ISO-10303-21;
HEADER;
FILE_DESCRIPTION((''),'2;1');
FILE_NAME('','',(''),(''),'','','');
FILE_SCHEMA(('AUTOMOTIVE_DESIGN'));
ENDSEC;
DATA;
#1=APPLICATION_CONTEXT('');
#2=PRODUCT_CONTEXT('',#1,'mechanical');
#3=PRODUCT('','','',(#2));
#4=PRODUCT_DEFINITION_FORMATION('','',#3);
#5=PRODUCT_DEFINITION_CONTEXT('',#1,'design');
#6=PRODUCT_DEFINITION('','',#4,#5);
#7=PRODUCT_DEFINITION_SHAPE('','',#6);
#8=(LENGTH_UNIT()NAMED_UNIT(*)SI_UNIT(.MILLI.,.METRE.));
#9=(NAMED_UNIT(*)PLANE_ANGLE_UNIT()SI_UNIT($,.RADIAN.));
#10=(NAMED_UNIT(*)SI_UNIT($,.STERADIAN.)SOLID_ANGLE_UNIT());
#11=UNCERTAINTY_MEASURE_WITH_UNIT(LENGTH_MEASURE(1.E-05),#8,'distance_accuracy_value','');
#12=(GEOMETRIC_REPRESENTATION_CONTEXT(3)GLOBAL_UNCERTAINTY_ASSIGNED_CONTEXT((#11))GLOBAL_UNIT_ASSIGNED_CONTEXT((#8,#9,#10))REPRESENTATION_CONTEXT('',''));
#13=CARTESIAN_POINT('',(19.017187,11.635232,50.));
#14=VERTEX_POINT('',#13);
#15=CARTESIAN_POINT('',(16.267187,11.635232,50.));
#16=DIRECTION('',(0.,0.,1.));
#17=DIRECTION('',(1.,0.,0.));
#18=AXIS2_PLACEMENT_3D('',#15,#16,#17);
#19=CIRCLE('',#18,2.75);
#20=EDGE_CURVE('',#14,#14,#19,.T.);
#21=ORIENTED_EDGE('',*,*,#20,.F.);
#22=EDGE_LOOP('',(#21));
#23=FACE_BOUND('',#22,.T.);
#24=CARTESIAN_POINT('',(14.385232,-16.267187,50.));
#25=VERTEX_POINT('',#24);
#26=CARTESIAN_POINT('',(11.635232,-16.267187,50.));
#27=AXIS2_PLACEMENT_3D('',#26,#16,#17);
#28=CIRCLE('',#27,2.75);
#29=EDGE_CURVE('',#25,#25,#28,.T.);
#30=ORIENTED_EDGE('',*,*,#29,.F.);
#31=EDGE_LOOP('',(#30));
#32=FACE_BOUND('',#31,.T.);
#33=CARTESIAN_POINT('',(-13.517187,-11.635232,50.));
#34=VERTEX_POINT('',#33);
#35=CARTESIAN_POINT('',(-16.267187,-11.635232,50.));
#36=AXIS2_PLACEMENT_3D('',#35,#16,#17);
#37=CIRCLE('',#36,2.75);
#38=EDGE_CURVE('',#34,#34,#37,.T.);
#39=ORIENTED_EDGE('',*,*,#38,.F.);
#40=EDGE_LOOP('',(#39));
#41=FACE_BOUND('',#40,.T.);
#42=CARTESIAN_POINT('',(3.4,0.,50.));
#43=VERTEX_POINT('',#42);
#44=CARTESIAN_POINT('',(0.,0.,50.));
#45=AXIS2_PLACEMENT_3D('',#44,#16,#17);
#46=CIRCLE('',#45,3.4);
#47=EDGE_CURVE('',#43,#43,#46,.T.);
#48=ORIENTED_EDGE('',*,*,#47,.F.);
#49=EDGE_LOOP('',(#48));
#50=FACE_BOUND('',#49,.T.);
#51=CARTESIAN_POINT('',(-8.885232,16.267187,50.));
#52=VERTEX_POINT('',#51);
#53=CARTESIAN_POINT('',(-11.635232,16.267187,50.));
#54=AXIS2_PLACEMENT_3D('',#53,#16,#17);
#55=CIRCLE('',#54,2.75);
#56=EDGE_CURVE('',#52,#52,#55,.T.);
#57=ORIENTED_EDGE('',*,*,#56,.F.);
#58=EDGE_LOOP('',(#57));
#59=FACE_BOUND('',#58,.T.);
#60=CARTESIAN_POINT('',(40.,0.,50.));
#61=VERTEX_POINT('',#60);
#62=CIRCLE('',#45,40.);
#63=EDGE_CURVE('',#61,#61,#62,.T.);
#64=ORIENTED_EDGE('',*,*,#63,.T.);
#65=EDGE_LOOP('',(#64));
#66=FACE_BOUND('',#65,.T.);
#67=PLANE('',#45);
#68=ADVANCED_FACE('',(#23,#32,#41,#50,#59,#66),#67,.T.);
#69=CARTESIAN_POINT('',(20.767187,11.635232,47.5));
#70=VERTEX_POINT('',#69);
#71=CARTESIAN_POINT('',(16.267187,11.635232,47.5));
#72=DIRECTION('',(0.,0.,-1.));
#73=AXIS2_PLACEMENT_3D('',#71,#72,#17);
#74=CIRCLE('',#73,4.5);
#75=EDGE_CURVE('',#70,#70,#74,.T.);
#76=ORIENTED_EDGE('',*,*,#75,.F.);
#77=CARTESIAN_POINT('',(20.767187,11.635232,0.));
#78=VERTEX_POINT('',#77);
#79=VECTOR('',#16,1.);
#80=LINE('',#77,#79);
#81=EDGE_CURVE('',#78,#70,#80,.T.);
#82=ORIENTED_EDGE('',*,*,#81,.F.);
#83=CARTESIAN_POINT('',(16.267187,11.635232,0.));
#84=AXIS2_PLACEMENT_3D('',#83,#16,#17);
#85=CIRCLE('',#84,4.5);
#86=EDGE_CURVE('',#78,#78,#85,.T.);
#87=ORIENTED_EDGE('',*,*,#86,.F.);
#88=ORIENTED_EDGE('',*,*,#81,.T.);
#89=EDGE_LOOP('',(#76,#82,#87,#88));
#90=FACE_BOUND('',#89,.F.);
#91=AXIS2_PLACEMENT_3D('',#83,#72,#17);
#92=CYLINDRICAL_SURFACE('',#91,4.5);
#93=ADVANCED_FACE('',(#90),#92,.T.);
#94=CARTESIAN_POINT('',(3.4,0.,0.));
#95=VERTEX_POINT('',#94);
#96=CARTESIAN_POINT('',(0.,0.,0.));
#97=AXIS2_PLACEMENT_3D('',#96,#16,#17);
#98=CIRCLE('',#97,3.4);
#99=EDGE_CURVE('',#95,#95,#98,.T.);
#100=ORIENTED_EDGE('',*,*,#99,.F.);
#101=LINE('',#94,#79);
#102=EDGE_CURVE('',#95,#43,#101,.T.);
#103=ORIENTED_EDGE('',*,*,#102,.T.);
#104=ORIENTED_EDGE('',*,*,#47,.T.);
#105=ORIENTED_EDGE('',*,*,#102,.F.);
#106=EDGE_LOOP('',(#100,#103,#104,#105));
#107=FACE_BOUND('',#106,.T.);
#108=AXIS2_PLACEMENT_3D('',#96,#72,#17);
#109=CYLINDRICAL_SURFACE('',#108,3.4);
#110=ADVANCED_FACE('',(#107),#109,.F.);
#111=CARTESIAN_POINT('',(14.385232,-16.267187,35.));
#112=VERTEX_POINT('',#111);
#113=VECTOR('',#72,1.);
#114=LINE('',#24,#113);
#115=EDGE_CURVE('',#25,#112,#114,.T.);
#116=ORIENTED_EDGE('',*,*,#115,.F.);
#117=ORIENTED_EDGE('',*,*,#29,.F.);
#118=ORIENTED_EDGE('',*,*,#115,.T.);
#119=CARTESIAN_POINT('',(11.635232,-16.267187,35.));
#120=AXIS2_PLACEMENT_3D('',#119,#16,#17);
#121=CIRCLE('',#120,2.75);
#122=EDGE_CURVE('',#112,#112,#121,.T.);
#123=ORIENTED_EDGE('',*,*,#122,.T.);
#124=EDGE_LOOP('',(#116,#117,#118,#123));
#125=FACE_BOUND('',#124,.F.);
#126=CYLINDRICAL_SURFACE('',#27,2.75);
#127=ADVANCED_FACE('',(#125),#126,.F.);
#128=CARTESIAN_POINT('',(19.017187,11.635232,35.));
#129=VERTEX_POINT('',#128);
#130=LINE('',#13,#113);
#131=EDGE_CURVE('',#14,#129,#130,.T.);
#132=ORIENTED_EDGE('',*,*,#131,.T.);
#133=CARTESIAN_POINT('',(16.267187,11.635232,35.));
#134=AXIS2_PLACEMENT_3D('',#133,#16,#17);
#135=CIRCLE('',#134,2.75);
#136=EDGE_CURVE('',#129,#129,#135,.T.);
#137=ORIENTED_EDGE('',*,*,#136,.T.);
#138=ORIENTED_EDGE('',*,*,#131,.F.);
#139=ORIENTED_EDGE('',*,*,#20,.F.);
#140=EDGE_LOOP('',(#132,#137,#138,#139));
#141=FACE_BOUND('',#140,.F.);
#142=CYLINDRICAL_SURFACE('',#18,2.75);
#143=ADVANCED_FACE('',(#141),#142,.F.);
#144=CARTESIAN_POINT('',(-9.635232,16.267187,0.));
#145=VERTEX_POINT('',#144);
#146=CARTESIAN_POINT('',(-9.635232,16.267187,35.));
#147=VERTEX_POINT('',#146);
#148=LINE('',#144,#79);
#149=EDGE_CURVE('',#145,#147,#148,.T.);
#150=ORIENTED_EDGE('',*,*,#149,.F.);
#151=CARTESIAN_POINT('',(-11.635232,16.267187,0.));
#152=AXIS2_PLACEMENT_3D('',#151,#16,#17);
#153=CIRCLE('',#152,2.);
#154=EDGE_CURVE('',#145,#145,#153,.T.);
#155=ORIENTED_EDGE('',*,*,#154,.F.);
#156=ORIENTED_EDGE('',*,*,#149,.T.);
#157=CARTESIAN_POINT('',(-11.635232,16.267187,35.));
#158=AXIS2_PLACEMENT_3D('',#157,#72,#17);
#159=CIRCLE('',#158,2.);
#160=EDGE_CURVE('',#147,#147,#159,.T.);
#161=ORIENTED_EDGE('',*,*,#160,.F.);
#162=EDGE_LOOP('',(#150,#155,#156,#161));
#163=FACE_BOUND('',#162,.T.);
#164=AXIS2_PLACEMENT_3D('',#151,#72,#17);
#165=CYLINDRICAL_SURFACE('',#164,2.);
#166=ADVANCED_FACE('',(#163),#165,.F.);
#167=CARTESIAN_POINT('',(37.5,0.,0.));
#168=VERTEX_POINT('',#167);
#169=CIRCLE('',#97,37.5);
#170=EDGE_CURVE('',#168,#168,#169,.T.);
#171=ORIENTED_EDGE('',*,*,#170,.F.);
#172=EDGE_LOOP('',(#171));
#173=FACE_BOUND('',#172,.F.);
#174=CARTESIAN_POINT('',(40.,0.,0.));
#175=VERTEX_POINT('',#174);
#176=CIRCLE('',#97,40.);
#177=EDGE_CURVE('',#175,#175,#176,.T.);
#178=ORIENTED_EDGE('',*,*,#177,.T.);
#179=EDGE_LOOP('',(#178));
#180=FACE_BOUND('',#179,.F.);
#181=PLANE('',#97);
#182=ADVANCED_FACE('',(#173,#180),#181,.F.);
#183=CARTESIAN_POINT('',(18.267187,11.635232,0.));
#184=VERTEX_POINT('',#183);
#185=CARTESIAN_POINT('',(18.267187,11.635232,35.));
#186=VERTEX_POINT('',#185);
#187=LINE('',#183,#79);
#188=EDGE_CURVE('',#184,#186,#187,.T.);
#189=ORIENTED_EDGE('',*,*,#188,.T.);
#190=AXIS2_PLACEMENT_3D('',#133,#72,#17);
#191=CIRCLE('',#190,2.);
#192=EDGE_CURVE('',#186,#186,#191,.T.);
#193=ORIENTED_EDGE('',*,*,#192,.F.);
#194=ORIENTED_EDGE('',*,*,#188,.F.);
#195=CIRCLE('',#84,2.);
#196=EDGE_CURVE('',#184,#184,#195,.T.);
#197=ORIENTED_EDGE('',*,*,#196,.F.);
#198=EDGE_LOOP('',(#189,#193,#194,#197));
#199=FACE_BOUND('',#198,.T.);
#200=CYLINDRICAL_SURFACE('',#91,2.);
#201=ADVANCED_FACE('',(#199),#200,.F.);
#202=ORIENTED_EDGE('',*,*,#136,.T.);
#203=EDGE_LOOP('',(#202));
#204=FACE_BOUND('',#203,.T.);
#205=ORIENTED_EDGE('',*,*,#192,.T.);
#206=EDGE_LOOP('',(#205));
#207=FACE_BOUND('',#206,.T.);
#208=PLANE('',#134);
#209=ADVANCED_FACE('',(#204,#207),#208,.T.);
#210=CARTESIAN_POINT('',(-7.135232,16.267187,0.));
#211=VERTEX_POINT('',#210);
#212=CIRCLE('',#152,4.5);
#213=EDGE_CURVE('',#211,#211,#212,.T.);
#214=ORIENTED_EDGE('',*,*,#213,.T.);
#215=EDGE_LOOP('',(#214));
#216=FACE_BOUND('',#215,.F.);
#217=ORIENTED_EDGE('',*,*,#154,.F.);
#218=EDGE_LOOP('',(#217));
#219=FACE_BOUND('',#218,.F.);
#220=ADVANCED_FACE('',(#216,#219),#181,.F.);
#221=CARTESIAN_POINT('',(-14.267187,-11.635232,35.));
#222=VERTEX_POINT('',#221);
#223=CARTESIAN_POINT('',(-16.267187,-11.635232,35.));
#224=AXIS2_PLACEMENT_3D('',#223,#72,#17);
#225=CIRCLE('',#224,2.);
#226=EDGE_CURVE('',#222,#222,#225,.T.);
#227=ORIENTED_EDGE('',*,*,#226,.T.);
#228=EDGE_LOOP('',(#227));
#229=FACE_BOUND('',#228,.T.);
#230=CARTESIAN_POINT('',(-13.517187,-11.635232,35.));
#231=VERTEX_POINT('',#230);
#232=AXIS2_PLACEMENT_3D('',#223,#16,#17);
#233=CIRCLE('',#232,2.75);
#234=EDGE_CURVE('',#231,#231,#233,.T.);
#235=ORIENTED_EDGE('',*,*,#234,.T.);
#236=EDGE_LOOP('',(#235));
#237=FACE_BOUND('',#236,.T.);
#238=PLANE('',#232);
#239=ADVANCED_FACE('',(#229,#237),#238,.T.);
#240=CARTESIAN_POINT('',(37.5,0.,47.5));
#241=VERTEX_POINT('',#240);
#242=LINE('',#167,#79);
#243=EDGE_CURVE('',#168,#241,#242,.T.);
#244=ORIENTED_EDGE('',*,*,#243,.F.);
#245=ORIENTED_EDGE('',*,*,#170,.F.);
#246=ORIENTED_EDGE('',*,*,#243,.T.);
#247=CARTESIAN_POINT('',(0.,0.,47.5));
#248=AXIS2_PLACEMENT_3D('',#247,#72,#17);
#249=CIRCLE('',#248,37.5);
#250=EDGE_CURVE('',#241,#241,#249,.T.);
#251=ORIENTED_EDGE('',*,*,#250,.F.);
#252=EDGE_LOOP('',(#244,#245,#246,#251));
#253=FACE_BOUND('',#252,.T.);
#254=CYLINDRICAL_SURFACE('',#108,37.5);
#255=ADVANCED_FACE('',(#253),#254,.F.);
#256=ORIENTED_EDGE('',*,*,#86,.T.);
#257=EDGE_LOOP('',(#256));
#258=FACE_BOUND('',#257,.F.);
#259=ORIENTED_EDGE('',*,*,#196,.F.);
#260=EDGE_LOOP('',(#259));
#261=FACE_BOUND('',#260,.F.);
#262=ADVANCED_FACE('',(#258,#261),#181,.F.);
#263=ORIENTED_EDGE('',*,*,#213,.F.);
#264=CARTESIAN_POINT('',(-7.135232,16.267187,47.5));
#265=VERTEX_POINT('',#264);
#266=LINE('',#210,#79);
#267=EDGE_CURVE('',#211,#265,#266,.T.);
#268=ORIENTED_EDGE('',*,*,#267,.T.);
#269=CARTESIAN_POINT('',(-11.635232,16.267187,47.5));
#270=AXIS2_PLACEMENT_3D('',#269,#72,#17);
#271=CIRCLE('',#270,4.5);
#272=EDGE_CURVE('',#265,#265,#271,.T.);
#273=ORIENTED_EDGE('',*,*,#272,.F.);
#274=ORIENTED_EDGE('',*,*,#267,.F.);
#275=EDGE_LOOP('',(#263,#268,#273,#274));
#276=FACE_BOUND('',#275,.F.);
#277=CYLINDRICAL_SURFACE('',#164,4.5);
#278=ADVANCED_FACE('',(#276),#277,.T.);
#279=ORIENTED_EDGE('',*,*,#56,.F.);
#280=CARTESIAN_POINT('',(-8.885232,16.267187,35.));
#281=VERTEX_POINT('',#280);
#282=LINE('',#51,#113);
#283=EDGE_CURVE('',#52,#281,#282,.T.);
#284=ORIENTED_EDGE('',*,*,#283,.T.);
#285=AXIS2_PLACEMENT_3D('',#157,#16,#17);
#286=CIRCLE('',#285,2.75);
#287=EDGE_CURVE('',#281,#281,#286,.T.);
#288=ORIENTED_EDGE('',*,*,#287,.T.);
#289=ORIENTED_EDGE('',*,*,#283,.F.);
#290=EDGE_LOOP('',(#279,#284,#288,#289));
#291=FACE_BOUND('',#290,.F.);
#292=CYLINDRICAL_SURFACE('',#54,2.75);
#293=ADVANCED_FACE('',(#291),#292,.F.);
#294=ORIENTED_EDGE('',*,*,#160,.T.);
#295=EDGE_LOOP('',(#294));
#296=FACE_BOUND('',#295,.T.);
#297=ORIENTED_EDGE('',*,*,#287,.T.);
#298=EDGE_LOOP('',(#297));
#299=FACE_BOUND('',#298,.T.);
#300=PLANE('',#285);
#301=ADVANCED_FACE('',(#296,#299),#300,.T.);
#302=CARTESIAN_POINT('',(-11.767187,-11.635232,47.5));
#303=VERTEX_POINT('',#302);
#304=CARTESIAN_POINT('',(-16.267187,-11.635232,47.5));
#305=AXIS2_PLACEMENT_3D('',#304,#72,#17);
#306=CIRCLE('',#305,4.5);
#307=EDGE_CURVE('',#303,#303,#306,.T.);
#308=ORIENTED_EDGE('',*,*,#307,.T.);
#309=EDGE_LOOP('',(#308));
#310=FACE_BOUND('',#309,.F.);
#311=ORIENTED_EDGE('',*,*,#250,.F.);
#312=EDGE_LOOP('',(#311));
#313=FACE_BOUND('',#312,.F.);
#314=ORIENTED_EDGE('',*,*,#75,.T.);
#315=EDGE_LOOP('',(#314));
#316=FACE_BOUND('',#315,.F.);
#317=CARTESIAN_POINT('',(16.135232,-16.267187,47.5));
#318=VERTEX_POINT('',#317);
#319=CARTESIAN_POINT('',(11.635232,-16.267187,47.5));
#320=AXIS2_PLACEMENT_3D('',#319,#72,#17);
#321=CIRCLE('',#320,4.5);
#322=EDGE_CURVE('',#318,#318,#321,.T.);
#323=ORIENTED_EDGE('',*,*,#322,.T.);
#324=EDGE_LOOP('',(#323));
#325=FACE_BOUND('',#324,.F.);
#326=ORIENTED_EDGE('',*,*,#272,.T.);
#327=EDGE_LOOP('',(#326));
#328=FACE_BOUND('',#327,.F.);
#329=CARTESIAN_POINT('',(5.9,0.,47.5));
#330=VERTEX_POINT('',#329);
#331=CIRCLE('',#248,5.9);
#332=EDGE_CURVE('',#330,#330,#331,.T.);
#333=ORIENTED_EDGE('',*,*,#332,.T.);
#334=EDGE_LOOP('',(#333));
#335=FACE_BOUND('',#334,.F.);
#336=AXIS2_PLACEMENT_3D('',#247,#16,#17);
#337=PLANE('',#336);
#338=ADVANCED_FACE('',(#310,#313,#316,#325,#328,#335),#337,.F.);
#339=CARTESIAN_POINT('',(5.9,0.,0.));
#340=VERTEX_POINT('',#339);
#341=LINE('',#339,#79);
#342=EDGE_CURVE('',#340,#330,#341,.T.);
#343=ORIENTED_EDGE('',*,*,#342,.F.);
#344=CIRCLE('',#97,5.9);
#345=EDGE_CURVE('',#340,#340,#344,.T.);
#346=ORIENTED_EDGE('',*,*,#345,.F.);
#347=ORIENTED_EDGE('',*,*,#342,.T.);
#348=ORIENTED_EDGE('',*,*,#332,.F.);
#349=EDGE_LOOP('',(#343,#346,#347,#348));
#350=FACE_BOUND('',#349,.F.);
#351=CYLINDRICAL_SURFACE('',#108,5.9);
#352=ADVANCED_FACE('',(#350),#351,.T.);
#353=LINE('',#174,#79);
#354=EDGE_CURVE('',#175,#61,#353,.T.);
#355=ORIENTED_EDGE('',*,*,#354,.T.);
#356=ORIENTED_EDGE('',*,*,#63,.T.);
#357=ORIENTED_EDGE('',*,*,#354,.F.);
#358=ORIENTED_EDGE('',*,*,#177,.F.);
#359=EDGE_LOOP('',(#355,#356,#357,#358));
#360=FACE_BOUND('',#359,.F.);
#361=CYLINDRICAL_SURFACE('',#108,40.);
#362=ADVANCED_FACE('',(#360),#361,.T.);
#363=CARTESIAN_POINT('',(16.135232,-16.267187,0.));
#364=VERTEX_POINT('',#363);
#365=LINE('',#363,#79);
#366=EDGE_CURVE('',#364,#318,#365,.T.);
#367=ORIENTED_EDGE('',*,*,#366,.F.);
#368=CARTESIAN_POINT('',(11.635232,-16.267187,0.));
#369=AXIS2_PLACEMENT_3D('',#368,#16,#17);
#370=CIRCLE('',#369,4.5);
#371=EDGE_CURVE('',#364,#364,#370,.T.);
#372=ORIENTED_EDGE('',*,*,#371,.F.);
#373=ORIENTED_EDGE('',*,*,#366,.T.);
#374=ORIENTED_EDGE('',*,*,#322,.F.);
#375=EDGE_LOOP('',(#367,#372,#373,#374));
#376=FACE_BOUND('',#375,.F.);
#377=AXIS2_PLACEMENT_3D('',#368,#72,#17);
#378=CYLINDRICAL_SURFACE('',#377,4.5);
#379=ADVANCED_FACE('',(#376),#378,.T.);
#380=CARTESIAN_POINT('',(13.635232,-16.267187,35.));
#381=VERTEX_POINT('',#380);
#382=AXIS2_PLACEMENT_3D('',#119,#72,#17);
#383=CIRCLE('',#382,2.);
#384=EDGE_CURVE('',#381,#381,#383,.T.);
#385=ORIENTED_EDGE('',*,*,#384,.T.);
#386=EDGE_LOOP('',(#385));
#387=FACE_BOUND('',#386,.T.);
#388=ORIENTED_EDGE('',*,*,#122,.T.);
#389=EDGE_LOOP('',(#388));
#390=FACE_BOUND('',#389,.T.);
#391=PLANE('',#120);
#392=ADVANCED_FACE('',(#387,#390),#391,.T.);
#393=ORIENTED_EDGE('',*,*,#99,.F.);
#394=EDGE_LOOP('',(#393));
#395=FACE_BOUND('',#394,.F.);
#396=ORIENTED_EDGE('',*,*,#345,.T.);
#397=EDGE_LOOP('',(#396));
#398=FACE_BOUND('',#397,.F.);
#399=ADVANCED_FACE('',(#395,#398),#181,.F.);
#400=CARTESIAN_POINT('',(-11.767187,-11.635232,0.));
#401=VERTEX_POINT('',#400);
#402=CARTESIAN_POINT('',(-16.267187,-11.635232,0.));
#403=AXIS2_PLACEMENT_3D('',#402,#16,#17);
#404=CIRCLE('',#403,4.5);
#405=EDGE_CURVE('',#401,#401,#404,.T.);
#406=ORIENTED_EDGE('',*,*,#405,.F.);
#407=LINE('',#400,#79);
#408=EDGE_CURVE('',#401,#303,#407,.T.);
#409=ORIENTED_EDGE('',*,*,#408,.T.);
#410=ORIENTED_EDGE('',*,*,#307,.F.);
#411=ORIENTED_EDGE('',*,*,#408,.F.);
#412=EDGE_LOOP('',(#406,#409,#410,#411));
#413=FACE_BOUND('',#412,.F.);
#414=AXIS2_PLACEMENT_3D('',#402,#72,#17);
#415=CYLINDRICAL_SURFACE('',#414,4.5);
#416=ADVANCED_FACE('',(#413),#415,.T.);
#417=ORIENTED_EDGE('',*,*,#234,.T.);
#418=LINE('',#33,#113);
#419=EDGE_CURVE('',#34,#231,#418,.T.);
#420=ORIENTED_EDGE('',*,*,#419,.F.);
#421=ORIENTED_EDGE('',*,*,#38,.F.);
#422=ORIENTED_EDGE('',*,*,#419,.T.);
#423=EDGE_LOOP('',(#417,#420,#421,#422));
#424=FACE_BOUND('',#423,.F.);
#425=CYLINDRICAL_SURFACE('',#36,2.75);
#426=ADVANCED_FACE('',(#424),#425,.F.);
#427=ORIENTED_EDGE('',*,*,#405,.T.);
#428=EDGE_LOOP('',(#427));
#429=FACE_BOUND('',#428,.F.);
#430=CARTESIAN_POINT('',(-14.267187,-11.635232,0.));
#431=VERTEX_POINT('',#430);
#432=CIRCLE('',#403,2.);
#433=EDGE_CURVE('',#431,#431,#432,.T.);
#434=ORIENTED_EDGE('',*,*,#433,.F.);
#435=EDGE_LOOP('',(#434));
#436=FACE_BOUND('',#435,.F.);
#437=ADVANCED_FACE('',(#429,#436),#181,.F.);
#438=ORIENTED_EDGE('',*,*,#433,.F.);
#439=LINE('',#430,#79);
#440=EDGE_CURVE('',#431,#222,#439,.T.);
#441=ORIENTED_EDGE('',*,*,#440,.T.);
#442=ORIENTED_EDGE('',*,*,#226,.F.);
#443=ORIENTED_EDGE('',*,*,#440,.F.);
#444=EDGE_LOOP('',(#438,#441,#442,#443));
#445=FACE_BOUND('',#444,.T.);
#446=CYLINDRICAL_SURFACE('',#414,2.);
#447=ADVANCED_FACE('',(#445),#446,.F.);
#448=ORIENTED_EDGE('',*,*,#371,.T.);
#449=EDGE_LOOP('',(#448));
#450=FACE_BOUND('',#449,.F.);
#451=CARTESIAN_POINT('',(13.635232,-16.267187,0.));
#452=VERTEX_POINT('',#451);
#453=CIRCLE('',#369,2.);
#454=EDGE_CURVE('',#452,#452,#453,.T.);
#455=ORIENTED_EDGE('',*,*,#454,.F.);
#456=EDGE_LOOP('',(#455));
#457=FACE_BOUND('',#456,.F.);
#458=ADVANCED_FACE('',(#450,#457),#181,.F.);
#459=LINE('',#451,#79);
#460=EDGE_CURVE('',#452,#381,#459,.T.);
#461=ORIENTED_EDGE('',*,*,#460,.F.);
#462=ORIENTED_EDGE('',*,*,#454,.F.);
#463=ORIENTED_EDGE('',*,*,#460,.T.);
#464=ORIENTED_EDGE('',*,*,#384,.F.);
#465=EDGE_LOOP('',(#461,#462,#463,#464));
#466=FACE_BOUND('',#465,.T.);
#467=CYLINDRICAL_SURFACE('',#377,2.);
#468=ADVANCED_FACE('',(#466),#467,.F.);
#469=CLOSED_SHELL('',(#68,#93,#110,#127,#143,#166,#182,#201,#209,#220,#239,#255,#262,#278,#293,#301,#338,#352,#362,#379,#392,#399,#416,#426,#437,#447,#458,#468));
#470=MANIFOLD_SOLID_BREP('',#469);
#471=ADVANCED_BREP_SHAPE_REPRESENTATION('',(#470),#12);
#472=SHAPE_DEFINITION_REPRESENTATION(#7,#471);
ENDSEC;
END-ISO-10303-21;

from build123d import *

# Parameters (mm, degrees)
F0_R      = 40
F0_R_2    = 2
F0_R_3    = 3.4
F1_DEPTH  = 50
F3_R      = 2.75
F4_DEPTH  = 10
F5_T      = -2.5
F4_FACE_R = 2.75
F6_DEPTH  = 15


with BuildPart() as f1:
    # F0 (on Top) → F1 (new body)
    with BuildSketch(Plane.XY):
        Circle(F0_R)
        with Locations((-16.2671870079, -11.6352321356)):
            Circle(F0_R_2, mode=Mode.SUBTRACT)
        with Locations((11.6352321356, -16.2671870079)):
            Circle(F0_R_2, mode=Mode.SUBTRACT)
        with Locations((-11.6352321356, 16.2671870079)):
            Circle(F0_R_2, mode=Mode.SUBTRACT)
        Circle(F0_R_3, mode=Mode.SUBTRACT)
        with Locations((16.2671870079, 11.6352321356)):
            Circle(F0_R_2, mode=Mode.SUBTRACT)
    extrude(amount=F1_DEPTH)

    # F5
    f5_openings = [f1.faces().sort_by_distance(p)[0] for p in [
        (-38.868629, 0, 0),
    ]]
    offset(amount=F5_T, openings=f5_openings)


with BuildPart() as f4:
    # F3 (on face) → F4 (new body)
    with BuildSketch(Plane.XY.offset(50)):
        with Locations((-11.6352321356, 16.2671870079)):
            Circle(F3_R)
    extrude(amount=-F4_DEPTH)


with BuildPart() as f4b:
    # F3 (on face) → F4, piece 2 (new body)
    with BuildSketch(Plane.XY.offset(50)):
        with Locations((16.2671870079, 11.6352321356)):
            Circle(F3_R)
    extrude(amount=-F4_DEPTH)


with BuildPart() as f4c:
    # F3 (on face) → F4, piece 3 (new body)
    with BuildSketch(Plane.XY.offset(50)):
        with Locations((11.6352321356, -16.2671870079)):
            Circle(F3_R)
    extrude(amount=-F4_DEPTH)


with BuildPart() as f4d:
    # F3 (on face) → F4, piece 4 (new body)
    with BuildSketch(Plane.XY.offset(50)):
        with Locations((-16.2671870079, -11.6352321356)):
            Circle(F3_R)
    extrude(amount=-F4_DEPTH)


with BuildPart() as f6_tool:
    # F4_face (on face) → F6 (new body)
    with BuildSketch(Plane(origin=(-11.6352321356, 16.2671870079, 50), x_dir=(1, 0, 0), z_dir=(0, 0, 1))):
        Circle(F4_FACE_R)
        with Locations((23.2704642711, -32.5343740159)):
            Circle(F4_FACE_R)
        with Locations((27.9024191435, -4.6319548724)):
            Circle(F4_FACE_R)
        with Locations((-4.6319548724, -27.9024191435)):
            Circle(F4_FACE_R)
    extrude(amount=-F6_DEPTH)


with BuildPart() as f1_1:
    add(f1.part)

    # F6: cut by f6_tool
    add(f6_tool.part, mode=Mode.SUBTRACT)


with BuildPart() as f4_1:
    add(f4.part)

    # F6: cut by f6_tool
    add(f6_tool.part, mode=Mode.SUBTRACT)


with BuildPart() as f4b_1:
    add(f4b.part)

    # F6: cut by f6_tool
    add(f6_tool.part, mode=Mode.SUBTRACT)


with BuildPart() as f4c_1:
    add(f4c.part)

    # F6: cut by f6_tool
    add(f6_tool.part, mode=Mode.SUBTRACT)


with BuildPart() as f4d_1:
    add(f4d.part)

    # F6: cut by f6_tool
    add(f6_tool.part, mode=Mode.SUBTRACT)


solid = f1_1.part
